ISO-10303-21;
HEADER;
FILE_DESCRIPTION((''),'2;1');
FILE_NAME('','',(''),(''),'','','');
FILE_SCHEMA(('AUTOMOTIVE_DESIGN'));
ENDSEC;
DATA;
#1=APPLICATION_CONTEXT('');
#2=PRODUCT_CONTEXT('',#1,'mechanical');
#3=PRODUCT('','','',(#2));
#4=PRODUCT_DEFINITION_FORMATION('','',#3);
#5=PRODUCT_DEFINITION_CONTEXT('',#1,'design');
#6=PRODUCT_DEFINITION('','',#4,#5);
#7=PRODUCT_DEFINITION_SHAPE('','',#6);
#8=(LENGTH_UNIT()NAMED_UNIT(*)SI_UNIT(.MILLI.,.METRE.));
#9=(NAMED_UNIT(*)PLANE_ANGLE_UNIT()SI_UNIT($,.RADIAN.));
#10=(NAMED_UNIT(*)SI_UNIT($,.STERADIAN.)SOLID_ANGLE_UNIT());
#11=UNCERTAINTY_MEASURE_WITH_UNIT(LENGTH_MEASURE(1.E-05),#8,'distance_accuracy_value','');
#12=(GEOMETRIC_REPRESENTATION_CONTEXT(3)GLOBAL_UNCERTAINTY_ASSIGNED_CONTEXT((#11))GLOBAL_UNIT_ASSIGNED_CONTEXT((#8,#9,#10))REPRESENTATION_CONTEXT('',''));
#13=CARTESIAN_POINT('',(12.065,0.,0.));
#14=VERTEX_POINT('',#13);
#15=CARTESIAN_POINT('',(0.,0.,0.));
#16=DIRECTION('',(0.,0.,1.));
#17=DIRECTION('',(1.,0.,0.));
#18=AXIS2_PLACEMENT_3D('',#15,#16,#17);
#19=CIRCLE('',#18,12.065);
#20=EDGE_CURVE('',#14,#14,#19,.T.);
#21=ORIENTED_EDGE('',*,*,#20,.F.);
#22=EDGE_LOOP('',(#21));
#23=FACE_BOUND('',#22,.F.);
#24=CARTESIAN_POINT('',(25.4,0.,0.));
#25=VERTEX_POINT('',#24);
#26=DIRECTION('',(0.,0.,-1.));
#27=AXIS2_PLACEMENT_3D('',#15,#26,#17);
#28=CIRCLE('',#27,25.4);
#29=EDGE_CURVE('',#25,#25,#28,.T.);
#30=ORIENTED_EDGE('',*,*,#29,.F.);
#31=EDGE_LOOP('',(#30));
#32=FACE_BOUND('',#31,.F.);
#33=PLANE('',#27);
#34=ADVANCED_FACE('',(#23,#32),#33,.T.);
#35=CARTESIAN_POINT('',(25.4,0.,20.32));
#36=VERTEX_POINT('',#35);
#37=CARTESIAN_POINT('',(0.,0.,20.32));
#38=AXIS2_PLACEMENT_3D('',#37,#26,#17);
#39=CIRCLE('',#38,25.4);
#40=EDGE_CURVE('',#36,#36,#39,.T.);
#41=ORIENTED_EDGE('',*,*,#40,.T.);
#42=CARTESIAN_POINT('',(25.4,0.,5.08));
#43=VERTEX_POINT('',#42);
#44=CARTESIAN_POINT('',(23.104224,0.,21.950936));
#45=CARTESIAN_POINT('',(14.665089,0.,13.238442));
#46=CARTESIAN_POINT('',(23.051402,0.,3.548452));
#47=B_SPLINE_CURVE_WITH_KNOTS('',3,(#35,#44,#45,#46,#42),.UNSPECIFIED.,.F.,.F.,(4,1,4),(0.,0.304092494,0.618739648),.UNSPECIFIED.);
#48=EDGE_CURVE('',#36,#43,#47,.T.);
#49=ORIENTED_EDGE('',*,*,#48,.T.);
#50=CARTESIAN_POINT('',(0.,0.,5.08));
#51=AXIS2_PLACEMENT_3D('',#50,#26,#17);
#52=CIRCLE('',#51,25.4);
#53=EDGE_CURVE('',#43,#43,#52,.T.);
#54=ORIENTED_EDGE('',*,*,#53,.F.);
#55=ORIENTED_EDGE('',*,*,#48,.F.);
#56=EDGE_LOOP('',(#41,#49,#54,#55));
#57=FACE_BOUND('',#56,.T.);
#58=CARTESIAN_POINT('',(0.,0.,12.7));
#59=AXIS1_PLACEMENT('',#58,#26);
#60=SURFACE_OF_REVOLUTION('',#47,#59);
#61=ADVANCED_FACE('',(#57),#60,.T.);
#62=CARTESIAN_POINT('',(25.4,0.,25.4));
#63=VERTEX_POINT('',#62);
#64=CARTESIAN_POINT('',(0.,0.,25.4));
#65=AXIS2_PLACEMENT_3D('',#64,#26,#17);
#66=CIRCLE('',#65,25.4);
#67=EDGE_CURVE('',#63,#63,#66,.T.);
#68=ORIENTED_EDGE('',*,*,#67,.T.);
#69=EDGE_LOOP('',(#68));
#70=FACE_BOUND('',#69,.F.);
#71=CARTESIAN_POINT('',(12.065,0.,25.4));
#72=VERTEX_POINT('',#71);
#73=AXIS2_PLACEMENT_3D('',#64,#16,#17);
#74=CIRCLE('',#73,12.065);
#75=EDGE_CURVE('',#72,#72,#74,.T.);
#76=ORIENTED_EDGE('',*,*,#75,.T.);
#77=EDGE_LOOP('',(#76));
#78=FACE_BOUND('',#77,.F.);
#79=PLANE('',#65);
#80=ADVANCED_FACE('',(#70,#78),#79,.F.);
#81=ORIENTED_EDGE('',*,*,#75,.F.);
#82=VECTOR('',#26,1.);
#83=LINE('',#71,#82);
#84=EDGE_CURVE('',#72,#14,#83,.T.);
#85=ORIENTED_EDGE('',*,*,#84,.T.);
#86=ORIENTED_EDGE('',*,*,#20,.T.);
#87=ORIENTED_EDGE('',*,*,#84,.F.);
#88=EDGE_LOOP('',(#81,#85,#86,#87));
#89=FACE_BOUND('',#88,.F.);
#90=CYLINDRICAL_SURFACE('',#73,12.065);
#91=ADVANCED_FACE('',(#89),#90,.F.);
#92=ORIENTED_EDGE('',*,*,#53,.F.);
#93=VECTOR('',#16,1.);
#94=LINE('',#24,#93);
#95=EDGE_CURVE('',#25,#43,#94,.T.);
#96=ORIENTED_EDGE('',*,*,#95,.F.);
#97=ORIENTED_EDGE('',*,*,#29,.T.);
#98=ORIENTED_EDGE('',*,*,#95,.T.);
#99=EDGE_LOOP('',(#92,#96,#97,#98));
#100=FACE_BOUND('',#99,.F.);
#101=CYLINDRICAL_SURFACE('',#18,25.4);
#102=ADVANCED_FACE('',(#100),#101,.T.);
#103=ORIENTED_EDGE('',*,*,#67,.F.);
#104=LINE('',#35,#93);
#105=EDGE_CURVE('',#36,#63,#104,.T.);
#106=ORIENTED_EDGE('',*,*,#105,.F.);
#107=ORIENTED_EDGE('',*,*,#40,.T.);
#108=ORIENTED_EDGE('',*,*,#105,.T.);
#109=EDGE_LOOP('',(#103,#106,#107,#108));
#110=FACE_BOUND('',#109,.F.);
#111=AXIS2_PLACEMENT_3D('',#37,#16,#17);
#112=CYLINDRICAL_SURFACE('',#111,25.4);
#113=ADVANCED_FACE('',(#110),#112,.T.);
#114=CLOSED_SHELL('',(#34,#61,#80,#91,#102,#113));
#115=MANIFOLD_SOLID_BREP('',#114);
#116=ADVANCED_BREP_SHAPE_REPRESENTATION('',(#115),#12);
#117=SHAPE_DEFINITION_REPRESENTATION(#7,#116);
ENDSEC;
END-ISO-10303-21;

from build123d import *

# Parameters (mm, degrees)
F2_R     = 12.065
F3_DEPTH = 61.722


with BuildPart() as f1:
    # F0 (on Front) → F1 (revolve)
    with BuildSketch(Plane.XZ):
        with BuildLine():
            Line((25.4, 25.4), (0, 25.4))
            Line((0, 25.4), (0, 0))
            Line((0, 0), (25.4, 0))
            Line((25.4, 0), (25.4, 5.08))
            add(Edge.make_bspline(
                [(25.4, 20.32), (23.1042237738, 21.9509356674), (14.6650887867, 13.2384423623), (23.0514018286, 3.5484515339), (25.4, 5.08)],
                knots=[0, 0, 0, 0, 0.3040924942, 0.6187396484, 0.6187396484, 0.6187396484, 0.6187396484], degree=3))
            Line((25.4, 20.32), (25.4, 25.4))
        make_face()
    revolve(axis=Axis((0, 0, 12.7), (0, 0, -1)))

    # F2 (on face) → F3 (cut)
    with BuildSketch(Plane.XY.offset(25.4)):
        Circle(F2_R)
    extrude(amount=-F3_DEPTH, mode=Mode.SUBTRACT)


solid = f1.part
